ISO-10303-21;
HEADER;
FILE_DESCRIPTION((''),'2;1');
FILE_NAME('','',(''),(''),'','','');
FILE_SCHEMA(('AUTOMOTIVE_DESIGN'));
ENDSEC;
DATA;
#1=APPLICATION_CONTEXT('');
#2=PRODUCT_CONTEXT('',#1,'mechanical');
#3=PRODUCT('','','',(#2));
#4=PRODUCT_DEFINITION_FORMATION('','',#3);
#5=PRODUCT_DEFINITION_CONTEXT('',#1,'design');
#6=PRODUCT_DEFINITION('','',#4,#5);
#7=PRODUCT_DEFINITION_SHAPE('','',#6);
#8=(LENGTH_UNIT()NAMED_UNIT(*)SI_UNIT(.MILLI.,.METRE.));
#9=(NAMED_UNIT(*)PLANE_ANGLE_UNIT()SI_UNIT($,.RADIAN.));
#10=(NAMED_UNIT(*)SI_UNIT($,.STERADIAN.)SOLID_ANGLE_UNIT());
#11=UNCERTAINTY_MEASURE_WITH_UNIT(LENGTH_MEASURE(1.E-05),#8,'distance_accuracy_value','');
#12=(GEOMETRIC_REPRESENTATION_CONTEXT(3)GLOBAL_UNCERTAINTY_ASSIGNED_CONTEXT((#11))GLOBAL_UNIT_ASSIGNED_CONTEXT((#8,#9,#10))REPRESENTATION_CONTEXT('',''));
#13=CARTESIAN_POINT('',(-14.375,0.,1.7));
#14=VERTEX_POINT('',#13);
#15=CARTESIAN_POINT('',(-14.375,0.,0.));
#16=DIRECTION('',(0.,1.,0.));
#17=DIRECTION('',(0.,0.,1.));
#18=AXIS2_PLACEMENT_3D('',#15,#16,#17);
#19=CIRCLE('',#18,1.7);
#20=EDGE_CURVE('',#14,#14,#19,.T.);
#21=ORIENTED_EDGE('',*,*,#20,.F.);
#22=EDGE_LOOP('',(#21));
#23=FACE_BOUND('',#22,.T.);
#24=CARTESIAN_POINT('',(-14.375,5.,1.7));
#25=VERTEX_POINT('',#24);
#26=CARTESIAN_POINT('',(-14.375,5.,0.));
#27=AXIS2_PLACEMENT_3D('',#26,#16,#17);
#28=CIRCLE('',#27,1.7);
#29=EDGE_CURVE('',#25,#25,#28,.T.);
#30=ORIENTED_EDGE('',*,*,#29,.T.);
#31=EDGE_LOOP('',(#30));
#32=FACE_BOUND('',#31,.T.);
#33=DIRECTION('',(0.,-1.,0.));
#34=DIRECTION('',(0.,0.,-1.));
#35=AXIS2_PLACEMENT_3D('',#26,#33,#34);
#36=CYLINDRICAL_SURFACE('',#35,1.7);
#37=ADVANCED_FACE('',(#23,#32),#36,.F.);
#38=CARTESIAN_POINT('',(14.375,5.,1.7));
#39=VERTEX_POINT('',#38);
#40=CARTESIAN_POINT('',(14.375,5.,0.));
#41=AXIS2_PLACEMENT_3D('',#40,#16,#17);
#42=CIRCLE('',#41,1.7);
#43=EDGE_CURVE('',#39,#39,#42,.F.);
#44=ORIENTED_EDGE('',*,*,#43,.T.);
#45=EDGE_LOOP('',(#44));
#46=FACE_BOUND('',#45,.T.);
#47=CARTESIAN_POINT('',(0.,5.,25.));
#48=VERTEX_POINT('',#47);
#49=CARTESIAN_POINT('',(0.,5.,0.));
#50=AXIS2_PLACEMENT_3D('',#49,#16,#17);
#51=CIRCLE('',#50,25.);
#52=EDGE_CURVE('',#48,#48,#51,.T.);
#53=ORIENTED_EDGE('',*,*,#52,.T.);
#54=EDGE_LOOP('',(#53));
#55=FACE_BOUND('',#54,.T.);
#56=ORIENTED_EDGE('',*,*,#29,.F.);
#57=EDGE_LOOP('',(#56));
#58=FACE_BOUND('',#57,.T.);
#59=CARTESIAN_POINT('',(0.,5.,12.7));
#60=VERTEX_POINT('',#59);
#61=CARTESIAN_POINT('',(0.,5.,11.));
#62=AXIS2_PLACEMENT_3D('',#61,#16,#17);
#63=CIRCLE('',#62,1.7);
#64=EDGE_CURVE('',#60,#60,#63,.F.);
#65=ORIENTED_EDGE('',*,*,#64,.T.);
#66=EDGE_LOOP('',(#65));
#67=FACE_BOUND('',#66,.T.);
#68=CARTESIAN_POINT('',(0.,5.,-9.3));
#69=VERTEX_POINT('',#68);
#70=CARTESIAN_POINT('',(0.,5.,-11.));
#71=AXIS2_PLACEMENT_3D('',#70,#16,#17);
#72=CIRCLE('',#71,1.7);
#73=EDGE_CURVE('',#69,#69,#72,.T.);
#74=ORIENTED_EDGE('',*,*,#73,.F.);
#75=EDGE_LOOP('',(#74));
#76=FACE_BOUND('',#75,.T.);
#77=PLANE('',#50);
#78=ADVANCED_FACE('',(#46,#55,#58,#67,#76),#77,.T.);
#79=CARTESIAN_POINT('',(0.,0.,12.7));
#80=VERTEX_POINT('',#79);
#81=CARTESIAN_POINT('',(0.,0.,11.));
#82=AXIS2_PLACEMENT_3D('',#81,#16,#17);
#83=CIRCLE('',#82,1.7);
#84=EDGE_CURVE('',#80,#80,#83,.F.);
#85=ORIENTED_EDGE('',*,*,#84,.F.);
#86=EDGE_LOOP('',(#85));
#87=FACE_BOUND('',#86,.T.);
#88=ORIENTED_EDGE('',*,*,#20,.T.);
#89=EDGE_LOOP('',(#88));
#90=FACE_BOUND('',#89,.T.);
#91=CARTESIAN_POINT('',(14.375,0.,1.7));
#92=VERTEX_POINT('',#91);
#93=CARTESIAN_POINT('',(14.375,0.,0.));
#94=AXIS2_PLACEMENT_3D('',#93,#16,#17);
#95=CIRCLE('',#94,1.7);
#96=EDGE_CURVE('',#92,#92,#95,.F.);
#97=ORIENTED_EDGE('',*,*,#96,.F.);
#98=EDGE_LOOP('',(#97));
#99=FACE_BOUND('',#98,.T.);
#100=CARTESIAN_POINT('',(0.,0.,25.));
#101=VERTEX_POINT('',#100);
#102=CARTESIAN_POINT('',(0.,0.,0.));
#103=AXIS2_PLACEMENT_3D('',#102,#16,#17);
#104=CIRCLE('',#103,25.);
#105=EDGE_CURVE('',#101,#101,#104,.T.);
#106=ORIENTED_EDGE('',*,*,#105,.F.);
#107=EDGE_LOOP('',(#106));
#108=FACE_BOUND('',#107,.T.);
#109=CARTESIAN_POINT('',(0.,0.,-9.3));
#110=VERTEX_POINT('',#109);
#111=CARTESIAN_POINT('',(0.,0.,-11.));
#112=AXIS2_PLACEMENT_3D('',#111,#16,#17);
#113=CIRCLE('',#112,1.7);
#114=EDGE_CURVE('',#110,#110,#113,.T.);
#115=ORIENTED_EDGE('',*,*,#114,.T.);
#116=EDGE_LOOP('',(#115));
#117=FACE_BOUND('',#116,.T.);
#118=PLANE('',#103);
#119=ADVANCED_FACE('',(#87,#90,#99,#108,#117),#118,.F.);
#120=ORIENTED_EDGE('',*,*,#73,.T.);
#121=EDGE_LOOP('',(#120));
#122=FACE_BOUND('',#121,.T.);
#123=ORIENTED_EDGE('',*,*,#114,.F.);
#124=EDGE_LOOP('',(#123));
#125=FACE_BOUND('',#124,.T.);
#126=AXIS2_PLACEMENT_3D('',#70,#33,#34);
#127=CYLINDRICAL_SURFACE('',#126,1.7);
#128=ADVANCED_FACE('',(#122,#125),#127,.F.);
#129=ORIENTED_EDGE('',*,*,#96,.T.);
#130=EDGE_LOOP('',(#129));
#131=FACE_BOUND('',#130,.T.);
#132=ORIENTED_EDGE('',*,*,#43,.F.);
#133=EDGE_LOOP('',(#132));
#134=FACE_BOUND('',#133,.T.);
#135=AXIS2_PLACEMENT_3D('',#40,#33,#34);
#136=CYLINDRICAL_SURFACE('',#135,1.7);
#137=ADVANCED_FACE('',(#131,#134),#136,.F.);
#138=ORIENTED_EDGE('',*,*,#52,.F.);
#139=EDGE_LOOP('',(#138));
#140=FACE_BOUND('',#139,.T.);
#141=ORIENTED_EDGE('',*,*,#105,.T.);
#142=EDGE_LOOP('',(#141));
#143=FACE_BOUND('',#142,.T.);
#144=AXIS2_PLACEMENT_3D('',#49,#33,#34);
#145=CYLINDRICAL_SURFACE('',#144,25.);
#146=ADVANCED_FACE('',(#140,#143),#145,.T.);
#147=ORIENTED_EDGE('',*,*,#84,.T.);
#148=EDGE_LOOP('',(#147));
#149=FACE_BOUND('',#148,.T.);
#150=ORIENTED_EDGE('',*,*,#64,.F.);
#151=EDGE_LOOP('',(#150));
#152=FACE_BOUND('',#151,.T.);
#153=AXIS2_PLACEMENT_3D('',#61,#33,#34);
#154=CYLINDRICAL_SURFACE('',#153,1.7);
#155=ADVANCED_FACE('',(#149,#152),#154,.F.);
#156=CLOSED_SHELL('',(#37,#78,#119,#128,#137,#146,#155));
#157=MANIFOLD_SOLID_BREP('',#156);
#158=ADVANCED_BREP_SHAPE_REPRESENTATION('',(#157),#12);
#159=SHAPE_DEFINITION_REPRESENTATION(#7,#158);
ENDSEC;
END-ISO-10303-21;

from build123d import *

# Parameters (mm, degrees)
SKETCH1_R           = 25
SKETCH1_R_2         = 1.7
BOSS_EXTRUDE1_DEPTH = 5


with BuildPart() as part:
    # Sketch1 → Boss-Extrude1 (new body)
    with BuildSketch(Plane(origin=(0, 0, 0), x_dir=(1, 0, 0), z_dir=(0, 1, 0))):
        with Locations(Location((0, 0, 0), (0, 0, 270))):
            Circle(SKETCH1_R)
        with Locations(Location((0, -11, 0), (0, 0, 270))):
            Circle(SKETCH1_R_2, mode=Mode.SUBTRACT)
        with Locations(Location((0, 11, 0), (0, 0, 270))):
            Circle(SKETCH1_R_2, mode=Mode.SUBTRACT)
        with Locations(Location((14.375, 0, 0), (0, 0, 270))):
            Circle(SKETCH1_R_2, mode=Mode.SUBTRACT)
        with Locations(Location((-14.375, 0, 0), (0, 0, 270))):
            Circle(SKETCH1_R_2, mode=Mode.SUBTRACT)
    extrude(amount=BOSS_EXTRUDE1_DEPTH)


solid = part.part
